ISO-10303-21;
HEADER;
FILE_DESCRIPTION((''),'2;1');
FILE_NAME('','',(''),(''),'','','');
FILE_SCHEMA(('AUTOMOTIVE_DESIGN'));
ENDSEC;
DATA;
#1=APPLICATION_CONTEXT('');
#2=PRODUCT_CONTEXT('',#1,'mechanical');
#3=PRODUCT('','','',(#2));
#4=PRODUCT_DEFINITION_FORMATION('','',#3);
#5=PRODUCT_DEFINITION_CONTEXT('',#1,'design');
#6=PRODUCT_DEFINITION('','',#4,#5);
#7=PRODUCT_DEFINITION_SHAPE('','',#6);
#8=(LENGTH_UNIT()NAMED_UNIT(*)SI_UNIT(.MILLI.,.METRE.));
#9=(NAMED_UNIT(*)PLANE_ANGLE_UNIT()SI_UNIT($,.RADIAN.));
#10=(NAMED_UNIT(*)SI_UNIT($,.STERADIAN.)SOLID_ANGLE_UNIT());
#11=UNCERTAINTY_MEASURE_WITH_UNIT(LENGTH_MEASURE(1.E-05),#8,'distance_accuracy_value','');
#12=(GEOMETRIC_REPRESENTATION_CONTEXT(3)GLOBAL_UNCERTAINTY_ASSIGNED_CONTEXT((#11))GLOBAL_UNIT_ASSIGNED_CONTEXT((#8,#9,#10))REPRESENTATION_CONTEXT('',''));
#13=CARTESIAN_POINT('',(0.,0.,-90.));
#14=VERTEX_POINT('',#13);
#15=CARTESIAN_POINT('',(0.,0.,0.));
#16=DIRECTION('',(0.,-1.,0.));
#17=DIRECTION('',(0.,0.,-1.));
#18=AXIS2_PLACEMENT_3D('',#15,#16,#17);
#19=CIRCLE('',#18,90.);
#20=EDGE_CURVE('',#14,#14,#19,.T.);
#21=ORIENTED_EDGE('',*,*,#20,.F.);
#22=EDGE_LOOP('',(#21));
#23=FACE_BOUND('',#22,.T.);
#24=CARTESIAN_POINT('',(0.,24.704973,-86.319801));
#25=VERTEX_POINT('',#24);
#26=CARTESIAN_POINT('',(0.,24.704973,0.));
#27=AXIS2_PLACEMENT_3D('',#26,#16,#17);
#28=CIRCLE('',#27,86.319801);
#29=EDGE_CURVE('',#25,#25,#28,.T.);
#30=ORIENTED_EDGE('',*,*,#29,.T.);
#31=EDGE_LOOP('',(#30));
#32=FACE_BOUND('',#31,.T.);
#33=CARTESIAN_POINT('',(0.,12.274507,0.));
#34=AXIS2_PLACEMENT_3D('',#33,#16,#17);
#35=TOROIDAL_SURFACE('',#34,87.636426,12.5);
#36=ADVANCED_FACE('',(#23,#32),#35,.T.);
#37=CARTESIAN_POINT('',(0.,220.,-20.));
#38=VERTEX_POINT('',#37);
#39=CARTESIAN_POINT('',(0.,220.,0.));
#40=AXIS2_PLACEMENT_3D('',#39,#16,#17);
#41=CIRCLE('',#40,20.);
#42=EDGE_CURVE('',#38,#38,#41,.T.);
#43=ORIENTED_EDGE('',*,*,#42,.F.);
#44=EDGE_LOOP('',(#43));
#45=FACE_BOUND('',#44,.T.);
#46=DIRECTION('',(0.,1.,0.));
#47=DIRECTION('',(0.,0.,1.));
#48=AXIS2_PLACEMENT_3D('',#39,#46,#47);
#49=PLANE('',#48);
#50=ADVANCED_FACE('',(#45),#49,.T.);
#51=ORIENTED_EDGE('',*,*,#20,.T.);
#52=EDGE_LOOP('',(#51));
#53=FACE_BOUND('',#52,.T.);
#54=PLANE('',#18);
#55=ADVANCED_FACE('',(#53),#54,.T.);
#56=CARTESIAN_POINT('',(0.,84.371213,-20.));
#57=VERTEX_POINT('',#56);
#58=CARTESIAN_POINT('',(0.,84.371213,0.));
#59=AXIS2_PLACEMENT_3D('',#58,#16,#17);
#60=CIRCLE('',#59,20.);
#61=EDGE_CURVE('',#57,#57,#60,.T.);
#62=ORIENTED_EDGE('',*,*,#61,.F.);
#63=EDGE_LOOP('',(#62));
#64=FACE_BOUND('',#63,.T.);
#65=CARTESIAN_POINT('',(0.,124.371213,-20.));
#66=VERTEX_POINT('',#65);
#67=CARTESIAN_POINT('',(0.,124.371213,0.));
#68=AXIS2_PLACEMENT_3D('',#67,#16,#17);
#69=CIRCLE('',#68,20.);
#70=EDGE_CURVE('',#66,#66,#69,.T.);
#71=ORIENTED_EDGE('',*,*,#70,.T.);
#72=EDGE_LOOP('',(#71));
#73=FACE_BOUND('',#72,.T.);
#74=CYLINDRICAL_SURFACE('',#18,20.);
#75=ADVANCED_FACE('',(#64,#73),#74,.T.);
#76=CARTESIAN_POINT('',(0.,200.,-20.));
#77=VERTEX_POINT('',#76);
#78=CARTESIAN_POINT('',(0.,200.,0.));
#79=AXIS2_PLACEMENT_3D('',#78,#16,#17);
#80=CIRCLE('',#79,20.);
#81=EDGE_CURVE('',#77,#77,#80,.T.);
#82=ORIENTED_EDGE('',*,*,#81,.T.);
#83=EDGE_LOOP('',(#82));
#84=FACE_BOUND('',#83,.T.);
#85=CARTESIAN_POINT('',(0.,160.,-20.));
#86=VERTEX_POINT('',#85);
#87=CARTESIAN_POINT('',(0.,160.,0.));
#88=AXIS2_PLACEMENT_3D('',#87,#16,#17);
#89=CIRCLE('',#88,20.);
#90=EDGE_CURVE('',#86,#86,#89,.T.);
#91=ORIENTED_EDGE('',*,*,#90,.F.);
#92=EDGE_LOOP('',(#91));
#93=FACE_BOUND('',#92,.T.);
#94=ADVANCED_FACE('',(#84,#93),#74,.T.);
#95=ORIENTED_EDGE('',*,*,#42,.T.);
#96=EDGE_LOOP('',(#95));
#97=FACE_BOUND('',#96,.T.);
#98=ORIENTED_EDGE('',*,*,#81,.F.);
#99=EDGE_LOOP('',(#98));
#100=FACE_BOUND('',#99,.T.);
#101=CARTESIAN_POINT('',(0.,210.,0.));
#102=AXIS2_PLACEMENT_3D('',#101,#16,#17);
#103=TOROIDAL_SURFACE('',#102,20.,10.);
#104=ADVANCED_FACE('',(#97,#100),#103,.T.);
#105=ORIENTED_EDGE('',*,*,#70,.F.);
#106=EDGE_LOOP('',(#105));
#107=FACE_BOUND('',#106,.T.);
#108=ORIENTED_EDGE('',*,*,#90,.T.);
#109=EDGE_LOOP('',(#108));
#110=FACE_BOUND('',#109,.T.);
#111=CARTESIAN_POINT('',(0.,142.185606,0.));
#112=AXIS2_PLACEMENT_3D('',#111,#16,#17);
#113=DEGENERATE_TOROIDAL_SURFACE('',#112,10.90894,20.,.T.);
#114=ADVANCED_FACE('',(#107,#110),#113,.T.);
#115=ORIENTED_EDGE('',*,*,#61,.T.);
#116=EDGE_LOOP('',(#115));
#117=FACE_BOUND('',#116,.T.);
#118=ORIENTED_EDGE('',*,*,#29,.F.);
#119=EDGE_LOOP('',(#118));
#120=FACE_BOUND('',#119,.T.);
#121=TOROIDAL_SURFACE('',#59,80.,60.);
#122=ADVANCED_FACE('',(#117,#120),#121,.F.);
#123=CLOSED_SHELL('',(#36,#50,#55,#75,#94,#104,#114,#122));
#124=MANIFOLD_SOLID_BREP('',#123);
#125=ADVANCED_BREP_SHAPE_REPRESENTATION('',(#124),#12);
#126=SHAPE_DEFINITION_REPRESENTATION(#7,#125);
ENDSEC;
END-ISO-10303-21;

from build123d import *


with BuildPart() as part:
    # Sketch1 → Revolve1 (revolve)
    with BuildSketch(Plane.XY, mode=Mode.PRIVATE) as revolve1_sk:
        with BuildLine():
            Line((0, 0), (0, 220))
            Line((0, 220), (20, 220))
            ThreePointArc((20, 220), (30, 210), (20, 200))
            Line((20, 200), (20, 160))
            ThreePointArc((20, 160), (30.908939581, 142.185606368), (20, 124.371212737))
            Line((20, 124.371212737), (20, 84.371212737))
            ThreePointArc((20, 84.371212737), (39.870136229, 39.766347153), (86.319801124, 24.704973424))
            ThreePointArc((86.319801124, 24.704973424), (100, 14.116257913), (90, 0))
            Line((90, 0), (0, 0))
        make_face()
    revolve(revolve1_sk.sketch.rotate(Axis((0, 0, 0), (0, 1, 0)), 90), axis=Axis((0, 0, 0), (0, 1, 0)))


solid = part.part
